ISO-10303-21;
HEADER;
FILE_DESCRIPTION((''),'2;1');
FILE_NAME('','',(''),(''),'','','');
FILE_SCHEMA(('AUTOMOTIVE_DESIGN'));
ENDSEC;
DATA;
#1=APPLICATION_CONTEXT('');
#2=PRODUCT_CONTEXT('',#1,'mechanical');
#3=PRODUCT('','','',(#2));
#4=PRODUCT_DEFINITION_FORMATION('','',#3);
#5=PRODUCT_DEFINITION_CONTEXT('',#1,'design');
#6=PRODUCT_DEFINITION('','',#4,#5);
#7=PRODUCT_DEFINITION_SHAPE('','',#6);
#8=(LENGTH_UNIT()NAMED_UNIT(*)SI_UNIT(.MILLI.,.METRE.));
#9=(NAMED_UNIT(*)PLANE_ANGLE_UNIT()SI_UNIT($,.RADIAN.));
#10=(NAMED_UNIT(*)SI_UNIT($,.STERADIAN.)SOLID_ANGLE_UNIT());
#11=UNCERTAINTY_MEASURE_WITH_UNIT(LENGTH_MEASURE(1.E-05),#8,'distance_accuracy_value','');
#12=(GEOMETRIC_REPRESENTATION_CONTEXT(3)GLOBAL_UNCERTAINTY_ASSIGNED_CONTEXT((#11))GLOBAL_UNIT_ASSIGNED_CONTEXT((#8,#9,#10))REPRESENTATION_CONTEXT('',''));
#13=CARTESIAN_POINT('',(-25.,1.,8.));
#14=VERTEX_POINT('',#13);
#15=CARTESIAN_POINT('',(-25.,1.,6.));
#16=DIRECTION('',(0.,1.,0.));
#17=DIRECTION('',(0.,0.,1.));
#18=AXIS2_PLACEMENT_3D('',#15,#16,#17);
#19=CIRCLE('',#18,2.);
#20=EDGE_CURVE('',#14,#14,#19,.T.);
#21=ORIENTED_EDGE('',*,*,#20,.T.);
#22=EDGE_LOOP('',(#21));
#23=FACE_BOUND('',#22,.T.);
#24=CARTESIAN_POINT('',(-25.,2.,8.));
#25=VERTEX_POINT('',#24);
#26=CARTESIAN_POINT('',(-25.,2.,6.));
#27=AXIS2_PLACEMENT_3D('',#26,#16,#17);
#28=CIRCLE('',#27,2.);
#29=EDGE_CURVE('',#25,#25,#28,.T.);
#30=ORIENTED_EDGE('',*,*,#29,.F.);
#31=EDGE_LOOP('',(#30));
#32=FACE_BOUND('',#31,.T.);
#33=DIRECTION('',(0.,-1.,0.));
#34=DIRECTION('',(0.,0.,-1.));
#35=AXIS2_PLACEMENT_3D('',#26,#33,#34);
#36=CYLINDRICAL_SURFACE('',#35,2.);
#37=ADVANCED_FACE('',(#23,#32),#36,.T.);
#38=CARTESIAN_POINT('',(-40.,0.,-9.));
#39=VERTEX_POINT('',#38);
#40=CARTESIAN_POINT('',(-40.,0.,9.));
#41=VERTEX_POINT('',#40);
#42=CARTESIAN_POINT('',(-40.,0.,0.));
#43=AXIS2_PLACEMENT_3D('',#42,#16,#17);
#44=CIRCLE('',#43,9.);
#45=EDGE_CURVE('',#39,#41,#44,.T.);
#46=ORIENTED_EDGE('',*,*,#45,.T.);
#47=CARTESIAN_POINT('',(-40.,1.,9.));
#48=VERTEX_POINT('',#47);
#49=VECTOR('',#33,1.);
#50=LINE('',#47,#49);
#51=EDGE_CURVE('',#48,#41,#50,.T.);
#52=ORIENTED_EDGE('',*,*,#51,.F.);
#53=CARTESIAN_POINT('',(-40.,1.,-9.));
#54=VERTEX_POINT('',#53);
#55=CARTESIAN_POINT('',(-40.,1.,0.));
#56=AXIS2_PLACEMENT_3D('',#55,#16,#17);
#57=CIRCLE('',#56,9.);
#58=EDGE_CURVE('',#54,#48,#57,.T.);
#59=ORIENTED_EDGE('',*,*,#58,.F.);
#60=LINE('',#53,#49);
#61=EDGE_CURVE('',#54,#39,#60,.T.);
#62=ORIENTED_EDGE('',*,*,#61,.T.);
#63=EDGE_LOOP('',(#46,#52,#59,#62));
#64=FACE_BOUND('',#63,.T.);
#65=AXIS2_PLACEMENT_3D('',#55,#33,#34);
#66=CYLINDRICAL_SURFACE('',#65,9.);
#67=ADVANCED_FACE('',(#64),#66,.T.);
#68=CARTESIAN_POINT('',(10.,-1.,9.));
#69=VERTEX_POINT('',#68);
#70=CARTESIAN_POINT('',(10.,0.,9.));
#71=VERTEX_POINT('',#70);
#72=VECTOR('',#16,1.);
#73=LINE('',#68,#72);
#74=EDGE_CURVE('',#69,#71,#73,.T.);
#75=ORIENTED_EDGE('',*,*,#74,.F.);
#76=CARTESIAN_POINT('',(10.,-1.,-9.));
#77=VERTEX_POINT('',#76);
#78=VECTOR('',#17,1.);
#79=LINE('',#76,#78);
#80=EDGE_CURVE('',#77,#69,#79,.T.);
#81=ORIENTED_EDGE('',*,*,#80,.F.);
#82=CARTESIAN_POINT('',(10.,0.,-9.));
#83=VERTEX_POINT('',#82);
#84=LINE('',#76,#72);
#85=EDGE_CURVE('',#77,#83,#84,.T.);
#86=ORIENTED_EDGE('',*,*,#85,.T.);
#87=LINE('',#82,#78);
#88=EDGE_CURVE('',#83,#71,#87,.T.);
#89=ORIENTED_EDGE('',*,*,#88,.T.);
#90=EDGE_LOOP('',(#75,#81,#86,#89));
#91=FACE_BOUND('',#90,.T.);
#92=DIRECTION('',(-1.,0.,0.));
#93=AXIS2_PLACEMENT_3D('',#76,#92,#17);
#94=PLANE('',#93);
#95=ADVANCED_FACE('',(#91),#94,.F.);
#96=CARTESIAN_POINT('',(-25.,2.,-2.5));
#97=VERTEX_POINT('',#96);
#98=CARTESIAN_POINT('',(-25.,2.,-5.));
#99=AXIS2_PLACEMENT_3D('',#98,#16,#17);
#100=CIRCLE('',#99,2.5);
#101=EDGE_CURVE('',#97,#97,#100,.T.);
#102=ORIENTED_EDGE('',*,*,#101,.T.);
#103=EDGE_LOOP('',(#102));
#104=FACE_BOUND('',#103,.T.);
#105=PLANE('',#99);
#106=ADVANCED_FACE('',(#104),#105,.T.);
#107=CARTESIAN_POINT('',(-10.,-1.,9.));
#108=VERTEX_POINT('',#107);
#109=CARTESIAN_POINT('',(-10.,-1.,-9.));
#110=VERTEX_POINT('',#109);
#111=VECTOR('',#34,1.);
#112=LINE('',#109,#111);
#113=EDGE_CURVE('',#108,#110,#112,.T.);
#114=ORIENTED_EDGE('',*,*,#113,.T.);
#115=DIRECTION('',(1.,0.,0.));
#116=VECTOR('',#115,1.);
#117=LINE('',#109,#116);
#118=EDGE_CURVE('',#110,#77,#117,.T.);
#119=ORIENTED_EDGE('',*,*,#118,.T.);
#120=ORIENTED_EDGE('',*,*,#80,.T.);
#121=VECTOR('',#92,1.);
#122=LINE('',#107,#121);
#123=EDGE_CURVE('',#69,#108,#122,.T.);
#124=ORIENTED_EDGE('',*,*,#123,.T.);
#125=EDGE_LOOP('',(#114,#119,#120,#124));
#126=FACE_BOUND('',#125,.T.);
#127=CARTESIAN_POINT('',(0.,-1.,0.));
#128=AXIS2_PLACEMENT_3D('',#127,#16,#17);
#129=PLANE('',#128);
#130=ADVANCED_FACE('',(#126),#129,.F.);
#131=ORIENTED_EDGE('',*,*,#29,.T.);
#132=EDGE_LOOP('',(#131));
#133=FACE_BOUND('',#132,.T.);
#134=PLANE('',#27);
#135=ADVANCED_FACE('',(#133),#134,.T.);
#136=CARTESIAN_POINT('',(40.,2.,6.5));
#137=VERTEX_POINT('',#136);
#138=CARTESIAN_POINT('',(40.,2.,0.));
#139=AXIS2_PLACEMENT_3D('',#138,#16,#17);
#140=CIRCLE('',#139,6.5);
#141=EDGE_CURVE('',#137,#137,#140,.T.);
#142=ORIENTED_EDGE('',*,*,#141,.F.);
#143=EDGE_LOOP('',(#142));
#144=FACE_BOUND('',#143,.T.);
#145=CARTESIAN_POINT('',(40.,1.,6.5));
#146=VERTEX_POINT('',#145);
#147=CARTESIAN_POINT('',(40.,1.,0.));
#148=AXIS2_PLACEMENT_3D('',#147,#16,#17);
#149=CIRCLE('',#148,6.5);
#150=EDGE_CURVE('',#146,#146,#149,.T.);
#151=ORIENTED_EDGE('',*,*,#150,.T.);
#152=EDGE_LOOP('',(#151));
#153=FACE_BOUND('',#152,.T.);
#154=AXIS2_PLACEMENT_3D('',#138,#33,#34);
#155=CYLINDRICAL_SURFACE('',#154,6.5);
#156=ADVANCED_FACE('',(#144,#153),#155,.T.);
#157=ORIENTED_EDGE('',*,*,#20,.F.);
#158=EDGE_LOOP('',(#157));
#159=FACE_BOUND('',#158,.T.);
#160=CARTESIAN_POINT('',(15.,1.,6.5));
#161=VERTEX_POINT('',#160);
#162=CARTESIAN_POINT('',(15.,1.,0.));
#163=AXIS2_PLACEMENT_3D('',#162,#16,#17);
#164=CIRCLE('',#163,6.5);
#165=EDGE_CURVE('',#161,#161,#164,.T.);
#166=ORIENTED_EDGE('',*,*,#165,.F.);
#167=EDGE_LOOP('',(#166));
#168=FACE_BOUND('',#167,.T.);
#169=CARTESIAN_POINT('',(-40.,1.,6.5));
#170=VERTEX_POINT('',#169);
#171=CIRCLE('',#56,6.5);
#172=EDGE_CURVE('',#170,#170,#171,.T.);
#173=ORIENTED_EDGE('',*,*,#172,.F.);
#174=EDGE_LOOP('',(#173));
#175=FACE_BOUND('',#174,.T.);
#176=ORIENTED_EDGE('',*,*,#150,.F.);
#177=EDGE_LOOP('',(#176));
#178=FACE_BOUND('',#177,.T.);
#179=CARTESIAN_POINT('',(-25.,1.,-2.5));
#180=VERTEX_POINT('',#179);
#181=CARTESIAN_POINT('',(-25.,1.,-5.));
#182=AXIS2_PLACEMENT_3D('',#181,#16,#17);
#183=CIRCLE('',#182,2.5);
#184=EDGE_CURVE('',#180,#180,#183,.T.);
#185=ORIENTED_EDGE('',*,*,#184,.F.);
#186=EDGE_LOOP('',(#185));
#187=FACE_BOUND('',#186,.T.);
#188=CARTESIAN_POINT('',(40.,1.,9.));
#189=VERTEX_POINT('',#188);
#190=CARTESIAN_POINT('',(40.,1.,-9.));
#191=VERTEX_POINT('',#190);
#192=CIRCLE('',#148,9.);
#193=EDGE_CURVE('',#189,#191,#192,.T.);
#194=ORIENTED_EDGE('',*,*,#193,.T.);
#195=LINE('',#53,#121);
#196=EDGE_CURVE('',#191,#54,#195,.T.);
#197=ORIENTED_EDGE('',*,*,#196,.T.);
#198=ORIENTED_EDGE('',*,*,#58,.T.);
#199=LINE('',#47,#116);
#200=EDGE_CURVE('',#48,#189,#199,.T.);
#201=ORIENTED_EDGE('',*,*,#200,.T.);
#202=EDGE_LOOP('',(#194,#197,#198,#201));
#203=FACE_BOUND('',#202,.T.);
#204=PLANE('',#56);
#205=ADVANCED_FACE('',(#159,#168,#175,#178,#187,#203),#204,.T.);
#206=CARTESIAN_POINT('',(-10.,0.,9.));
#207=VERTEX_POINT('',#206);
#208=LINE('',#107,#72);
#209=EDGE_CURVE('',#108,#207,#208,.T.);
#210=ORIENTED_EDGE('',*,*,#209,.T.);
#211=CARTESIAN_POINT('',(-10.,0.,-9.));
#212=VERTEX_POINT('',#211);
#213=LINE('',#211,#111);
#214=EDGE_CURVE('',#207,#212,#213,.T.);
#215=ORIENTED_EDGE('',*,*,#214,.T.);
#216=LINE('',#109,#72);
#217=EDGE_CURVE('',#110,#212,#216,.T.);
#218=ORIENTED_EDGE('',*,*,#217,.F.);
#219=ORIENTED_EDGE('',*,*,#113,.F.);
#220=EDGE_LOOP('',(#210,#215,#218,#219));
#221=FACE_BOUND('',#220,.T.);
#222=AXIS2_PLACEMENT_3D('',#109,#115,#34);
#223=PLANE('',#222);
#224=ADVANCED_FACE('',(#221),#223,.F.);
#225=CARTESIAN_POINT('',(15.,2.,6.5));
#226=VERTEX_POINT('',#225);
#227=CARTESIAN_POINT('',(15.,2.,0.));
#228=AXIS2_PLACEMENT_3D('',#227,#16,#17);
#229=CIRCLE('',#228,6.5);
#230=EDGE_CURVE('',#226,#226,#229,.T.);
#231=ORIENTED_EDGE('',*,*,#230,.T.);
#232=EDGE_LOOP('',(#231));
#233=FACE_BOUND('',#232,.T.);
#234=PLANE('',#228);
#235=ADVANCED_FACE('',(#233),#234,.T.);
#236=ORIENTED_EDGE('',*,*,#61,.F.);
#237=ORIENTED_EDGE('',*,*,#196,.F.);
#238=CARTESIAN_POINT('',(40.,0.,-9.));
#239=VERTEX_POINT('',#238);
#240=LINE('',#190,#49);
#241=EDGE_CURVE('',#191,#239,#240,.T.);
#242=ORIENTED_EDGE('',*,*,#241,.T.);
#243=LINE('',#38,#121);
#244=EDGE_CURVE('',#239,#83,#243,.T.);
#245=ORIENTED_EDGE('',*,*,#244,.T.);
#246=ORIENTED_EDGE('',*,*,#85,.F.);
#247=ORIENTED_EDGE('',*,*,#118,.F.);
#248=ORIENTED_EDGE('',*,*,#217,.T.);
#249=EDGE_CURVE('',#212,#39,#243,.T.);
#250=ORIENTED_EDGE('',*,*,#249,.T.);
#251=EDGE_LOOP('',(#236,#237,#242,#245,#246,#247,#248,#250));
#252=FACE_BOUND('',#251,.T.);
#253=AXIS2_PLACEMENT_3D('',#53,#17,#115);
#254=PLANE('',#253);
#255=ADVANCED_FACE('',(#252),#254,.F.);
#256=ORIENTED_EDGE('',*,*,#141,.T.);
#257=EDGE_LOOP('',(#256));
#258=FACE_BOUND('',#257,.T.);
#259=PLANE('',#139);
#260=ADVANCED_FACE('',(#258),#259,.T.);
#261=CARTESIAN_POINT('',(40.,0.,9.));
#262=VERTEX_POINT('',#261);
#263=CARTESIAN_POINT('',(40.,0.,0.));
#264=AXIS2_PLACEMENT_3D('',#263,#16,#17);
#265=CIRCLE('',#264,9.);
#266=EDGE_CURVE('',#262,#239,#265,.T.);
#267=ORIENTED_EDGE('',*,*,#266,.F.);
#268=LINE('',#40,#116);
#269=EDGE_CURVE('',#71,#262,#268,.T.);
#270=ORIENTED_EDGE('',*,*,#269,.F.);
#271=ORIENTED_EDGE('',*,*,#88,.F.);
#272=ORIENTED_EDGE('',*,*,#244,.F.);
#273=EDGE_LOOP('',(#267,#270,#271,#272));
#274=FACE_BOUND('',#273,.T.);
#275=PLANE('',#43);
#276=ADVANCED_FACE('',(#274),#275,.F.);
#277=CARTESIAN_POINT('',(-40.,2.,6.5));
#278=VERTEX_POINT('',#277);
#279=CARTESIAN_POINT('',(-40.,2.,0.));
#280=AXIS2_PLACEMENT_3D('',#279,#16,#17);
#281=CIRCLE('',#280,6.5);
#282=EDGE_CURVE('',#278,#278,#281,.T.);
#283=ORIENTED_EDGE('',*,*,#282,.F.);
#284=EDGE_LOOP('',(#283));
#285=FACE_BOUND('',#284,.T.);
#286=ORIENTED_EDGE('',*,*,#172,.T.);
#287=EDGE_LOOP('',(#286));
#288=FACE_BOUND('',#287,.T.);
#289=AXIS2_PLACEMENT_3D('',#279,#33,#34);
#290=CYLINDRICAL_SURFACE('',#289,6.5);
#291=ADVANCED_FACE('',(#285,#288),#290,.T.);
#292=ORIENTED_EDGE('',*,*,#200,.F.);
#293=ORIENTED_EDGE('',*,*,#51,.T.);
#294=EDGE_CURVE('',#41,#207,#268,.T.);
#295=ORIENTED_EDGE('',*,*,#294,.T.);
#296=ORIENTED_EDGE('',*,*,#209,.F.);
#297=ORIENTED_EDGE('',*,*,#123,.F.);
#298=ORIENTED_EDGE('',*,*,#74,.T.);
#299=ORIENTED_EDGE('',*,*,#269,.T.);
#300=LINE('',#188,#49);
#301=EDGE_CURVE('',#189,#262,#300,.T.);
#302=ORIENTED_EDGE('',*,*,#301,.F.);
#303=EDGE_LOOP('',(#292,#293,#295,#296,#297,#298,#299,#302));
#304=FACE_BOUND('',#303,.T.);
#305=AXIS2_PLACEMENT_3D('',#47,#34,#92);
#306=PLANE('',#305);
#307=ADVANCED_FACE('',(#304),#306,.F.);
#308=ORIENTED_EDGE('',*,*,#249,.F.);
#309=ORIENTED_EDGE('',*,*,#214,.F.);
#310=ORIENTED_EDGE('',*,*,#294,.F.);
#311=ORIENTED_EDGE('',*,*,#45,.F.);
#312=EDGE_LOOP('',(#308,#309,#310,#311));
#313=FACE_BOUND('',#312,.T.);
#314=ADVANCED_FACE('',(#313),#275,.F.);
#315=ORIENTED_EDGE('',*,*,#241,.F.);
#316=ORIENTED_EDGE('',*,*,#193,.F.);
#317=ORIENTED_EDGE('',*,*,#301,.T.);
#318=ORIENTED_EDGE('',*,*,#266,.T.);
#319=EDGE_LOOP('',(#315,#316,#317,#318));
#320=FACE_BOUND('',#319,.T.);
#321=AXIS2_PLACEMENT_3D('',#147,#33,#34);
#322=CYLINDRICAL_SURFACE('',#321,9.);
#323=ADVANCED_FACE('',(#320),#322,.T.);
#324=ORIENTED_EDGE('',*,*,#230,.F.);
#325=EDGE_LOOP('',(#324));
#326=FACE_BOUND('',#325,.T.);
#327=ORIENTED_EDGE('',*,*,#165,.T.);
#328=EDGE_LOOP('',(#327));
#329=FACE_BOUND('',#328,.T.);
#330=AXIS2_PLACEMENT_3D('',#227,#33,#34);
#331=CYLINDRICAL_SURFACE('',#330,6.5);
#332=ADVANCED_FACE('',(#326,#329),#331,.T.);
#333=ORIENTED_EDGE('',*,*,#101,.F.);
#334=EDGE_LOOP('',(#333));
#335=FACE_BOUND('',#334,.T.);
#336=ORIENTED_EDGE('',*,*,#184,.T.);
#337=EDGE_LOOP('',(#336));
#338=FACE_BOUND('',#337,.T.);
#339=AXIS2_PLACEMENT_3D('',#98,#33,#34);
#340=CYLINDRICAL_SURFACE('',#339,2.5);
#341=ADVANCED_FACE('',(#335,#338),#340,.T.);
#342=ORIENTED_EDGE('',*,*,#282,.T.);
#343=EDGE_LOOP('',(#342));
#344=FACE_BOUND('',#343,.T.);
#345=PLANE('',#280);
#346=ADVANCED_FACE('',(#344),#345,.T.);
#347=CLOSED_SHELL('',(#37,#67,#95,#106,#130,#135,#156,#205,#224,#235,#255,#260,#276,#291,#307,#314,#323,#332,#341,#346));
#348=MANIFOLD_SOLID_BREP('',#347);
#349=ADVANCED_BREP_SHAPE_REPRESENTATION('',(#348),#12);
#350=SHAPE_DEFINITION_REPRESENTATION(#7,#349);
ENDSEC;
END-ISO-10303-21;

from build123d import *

# Parameters (mm, degrees)
RESSALTO_EXTRUS_O1_DEPTH = 1
ESBO_O2_R                = 2.5
ESBO_O2_R_2              = 2
ESBO_O2_R_3              = 6.5
RESSALTO_EXTRUS_O2_DEPTH = 1
ESBO_O3_W                = 20
ESBO_O3_H                = 18
RESSALTO_EXTRUS_O3_DEPTH = 1


with BuildPart() as part:
    # Esboço1 → Ressalto-extrusão1 (new body)
    with BuildSketch(Plane(origin=(0, 0, 0), x_dir=(1, 0, 0), z_dir=(0, 1, 0))):
        with BuildLine():
            Line((-40, 9), (40, 9))
            ThreePointArc((40, 9), (49, 0), (40, -9))
            Line((40, -9), (-40, -9))
            ThreePointArc((-40, -9), (-49, 0), (-40, 9))
        make_face()
    extrude(amount=RESSALTO_EXTRUS_O1_DEPTH)

    # Esboço2 → Ressalto-extrusão2 (add)
    with BuildSketch(Plane(origin=(0, 1, 0), x_dir=(1, 0, 0), z_dir=(0, 1, 0))):
        with Locations((-25, 5)):
            Circle(ESBO_O2_R)
        with Locations((-25, -6)):
            Circle(ESBO_O2_R_2)
        with Locations((15, 0)):
            Circle(ESBO_O2_R_3)
        with Locations((40, 0)):
            Circle(ESBO_O2_R_3)
        with Locations((-40, 0)):
            Circle(ESBO_O2_R_3)
    extrude(amount=RESSALTO_EXTRUS_O2_DEPTH)

    # Esboço3 → Ressalto-extrusão3 (add)
    with BuildSketch(Plane.XZ):
        Rectangle(ESBO_O3_W, ESBO_O3_H)
    extrude(amount=RESSALTO_EXTRUS_O3_DEPTH)


solid = part.part
